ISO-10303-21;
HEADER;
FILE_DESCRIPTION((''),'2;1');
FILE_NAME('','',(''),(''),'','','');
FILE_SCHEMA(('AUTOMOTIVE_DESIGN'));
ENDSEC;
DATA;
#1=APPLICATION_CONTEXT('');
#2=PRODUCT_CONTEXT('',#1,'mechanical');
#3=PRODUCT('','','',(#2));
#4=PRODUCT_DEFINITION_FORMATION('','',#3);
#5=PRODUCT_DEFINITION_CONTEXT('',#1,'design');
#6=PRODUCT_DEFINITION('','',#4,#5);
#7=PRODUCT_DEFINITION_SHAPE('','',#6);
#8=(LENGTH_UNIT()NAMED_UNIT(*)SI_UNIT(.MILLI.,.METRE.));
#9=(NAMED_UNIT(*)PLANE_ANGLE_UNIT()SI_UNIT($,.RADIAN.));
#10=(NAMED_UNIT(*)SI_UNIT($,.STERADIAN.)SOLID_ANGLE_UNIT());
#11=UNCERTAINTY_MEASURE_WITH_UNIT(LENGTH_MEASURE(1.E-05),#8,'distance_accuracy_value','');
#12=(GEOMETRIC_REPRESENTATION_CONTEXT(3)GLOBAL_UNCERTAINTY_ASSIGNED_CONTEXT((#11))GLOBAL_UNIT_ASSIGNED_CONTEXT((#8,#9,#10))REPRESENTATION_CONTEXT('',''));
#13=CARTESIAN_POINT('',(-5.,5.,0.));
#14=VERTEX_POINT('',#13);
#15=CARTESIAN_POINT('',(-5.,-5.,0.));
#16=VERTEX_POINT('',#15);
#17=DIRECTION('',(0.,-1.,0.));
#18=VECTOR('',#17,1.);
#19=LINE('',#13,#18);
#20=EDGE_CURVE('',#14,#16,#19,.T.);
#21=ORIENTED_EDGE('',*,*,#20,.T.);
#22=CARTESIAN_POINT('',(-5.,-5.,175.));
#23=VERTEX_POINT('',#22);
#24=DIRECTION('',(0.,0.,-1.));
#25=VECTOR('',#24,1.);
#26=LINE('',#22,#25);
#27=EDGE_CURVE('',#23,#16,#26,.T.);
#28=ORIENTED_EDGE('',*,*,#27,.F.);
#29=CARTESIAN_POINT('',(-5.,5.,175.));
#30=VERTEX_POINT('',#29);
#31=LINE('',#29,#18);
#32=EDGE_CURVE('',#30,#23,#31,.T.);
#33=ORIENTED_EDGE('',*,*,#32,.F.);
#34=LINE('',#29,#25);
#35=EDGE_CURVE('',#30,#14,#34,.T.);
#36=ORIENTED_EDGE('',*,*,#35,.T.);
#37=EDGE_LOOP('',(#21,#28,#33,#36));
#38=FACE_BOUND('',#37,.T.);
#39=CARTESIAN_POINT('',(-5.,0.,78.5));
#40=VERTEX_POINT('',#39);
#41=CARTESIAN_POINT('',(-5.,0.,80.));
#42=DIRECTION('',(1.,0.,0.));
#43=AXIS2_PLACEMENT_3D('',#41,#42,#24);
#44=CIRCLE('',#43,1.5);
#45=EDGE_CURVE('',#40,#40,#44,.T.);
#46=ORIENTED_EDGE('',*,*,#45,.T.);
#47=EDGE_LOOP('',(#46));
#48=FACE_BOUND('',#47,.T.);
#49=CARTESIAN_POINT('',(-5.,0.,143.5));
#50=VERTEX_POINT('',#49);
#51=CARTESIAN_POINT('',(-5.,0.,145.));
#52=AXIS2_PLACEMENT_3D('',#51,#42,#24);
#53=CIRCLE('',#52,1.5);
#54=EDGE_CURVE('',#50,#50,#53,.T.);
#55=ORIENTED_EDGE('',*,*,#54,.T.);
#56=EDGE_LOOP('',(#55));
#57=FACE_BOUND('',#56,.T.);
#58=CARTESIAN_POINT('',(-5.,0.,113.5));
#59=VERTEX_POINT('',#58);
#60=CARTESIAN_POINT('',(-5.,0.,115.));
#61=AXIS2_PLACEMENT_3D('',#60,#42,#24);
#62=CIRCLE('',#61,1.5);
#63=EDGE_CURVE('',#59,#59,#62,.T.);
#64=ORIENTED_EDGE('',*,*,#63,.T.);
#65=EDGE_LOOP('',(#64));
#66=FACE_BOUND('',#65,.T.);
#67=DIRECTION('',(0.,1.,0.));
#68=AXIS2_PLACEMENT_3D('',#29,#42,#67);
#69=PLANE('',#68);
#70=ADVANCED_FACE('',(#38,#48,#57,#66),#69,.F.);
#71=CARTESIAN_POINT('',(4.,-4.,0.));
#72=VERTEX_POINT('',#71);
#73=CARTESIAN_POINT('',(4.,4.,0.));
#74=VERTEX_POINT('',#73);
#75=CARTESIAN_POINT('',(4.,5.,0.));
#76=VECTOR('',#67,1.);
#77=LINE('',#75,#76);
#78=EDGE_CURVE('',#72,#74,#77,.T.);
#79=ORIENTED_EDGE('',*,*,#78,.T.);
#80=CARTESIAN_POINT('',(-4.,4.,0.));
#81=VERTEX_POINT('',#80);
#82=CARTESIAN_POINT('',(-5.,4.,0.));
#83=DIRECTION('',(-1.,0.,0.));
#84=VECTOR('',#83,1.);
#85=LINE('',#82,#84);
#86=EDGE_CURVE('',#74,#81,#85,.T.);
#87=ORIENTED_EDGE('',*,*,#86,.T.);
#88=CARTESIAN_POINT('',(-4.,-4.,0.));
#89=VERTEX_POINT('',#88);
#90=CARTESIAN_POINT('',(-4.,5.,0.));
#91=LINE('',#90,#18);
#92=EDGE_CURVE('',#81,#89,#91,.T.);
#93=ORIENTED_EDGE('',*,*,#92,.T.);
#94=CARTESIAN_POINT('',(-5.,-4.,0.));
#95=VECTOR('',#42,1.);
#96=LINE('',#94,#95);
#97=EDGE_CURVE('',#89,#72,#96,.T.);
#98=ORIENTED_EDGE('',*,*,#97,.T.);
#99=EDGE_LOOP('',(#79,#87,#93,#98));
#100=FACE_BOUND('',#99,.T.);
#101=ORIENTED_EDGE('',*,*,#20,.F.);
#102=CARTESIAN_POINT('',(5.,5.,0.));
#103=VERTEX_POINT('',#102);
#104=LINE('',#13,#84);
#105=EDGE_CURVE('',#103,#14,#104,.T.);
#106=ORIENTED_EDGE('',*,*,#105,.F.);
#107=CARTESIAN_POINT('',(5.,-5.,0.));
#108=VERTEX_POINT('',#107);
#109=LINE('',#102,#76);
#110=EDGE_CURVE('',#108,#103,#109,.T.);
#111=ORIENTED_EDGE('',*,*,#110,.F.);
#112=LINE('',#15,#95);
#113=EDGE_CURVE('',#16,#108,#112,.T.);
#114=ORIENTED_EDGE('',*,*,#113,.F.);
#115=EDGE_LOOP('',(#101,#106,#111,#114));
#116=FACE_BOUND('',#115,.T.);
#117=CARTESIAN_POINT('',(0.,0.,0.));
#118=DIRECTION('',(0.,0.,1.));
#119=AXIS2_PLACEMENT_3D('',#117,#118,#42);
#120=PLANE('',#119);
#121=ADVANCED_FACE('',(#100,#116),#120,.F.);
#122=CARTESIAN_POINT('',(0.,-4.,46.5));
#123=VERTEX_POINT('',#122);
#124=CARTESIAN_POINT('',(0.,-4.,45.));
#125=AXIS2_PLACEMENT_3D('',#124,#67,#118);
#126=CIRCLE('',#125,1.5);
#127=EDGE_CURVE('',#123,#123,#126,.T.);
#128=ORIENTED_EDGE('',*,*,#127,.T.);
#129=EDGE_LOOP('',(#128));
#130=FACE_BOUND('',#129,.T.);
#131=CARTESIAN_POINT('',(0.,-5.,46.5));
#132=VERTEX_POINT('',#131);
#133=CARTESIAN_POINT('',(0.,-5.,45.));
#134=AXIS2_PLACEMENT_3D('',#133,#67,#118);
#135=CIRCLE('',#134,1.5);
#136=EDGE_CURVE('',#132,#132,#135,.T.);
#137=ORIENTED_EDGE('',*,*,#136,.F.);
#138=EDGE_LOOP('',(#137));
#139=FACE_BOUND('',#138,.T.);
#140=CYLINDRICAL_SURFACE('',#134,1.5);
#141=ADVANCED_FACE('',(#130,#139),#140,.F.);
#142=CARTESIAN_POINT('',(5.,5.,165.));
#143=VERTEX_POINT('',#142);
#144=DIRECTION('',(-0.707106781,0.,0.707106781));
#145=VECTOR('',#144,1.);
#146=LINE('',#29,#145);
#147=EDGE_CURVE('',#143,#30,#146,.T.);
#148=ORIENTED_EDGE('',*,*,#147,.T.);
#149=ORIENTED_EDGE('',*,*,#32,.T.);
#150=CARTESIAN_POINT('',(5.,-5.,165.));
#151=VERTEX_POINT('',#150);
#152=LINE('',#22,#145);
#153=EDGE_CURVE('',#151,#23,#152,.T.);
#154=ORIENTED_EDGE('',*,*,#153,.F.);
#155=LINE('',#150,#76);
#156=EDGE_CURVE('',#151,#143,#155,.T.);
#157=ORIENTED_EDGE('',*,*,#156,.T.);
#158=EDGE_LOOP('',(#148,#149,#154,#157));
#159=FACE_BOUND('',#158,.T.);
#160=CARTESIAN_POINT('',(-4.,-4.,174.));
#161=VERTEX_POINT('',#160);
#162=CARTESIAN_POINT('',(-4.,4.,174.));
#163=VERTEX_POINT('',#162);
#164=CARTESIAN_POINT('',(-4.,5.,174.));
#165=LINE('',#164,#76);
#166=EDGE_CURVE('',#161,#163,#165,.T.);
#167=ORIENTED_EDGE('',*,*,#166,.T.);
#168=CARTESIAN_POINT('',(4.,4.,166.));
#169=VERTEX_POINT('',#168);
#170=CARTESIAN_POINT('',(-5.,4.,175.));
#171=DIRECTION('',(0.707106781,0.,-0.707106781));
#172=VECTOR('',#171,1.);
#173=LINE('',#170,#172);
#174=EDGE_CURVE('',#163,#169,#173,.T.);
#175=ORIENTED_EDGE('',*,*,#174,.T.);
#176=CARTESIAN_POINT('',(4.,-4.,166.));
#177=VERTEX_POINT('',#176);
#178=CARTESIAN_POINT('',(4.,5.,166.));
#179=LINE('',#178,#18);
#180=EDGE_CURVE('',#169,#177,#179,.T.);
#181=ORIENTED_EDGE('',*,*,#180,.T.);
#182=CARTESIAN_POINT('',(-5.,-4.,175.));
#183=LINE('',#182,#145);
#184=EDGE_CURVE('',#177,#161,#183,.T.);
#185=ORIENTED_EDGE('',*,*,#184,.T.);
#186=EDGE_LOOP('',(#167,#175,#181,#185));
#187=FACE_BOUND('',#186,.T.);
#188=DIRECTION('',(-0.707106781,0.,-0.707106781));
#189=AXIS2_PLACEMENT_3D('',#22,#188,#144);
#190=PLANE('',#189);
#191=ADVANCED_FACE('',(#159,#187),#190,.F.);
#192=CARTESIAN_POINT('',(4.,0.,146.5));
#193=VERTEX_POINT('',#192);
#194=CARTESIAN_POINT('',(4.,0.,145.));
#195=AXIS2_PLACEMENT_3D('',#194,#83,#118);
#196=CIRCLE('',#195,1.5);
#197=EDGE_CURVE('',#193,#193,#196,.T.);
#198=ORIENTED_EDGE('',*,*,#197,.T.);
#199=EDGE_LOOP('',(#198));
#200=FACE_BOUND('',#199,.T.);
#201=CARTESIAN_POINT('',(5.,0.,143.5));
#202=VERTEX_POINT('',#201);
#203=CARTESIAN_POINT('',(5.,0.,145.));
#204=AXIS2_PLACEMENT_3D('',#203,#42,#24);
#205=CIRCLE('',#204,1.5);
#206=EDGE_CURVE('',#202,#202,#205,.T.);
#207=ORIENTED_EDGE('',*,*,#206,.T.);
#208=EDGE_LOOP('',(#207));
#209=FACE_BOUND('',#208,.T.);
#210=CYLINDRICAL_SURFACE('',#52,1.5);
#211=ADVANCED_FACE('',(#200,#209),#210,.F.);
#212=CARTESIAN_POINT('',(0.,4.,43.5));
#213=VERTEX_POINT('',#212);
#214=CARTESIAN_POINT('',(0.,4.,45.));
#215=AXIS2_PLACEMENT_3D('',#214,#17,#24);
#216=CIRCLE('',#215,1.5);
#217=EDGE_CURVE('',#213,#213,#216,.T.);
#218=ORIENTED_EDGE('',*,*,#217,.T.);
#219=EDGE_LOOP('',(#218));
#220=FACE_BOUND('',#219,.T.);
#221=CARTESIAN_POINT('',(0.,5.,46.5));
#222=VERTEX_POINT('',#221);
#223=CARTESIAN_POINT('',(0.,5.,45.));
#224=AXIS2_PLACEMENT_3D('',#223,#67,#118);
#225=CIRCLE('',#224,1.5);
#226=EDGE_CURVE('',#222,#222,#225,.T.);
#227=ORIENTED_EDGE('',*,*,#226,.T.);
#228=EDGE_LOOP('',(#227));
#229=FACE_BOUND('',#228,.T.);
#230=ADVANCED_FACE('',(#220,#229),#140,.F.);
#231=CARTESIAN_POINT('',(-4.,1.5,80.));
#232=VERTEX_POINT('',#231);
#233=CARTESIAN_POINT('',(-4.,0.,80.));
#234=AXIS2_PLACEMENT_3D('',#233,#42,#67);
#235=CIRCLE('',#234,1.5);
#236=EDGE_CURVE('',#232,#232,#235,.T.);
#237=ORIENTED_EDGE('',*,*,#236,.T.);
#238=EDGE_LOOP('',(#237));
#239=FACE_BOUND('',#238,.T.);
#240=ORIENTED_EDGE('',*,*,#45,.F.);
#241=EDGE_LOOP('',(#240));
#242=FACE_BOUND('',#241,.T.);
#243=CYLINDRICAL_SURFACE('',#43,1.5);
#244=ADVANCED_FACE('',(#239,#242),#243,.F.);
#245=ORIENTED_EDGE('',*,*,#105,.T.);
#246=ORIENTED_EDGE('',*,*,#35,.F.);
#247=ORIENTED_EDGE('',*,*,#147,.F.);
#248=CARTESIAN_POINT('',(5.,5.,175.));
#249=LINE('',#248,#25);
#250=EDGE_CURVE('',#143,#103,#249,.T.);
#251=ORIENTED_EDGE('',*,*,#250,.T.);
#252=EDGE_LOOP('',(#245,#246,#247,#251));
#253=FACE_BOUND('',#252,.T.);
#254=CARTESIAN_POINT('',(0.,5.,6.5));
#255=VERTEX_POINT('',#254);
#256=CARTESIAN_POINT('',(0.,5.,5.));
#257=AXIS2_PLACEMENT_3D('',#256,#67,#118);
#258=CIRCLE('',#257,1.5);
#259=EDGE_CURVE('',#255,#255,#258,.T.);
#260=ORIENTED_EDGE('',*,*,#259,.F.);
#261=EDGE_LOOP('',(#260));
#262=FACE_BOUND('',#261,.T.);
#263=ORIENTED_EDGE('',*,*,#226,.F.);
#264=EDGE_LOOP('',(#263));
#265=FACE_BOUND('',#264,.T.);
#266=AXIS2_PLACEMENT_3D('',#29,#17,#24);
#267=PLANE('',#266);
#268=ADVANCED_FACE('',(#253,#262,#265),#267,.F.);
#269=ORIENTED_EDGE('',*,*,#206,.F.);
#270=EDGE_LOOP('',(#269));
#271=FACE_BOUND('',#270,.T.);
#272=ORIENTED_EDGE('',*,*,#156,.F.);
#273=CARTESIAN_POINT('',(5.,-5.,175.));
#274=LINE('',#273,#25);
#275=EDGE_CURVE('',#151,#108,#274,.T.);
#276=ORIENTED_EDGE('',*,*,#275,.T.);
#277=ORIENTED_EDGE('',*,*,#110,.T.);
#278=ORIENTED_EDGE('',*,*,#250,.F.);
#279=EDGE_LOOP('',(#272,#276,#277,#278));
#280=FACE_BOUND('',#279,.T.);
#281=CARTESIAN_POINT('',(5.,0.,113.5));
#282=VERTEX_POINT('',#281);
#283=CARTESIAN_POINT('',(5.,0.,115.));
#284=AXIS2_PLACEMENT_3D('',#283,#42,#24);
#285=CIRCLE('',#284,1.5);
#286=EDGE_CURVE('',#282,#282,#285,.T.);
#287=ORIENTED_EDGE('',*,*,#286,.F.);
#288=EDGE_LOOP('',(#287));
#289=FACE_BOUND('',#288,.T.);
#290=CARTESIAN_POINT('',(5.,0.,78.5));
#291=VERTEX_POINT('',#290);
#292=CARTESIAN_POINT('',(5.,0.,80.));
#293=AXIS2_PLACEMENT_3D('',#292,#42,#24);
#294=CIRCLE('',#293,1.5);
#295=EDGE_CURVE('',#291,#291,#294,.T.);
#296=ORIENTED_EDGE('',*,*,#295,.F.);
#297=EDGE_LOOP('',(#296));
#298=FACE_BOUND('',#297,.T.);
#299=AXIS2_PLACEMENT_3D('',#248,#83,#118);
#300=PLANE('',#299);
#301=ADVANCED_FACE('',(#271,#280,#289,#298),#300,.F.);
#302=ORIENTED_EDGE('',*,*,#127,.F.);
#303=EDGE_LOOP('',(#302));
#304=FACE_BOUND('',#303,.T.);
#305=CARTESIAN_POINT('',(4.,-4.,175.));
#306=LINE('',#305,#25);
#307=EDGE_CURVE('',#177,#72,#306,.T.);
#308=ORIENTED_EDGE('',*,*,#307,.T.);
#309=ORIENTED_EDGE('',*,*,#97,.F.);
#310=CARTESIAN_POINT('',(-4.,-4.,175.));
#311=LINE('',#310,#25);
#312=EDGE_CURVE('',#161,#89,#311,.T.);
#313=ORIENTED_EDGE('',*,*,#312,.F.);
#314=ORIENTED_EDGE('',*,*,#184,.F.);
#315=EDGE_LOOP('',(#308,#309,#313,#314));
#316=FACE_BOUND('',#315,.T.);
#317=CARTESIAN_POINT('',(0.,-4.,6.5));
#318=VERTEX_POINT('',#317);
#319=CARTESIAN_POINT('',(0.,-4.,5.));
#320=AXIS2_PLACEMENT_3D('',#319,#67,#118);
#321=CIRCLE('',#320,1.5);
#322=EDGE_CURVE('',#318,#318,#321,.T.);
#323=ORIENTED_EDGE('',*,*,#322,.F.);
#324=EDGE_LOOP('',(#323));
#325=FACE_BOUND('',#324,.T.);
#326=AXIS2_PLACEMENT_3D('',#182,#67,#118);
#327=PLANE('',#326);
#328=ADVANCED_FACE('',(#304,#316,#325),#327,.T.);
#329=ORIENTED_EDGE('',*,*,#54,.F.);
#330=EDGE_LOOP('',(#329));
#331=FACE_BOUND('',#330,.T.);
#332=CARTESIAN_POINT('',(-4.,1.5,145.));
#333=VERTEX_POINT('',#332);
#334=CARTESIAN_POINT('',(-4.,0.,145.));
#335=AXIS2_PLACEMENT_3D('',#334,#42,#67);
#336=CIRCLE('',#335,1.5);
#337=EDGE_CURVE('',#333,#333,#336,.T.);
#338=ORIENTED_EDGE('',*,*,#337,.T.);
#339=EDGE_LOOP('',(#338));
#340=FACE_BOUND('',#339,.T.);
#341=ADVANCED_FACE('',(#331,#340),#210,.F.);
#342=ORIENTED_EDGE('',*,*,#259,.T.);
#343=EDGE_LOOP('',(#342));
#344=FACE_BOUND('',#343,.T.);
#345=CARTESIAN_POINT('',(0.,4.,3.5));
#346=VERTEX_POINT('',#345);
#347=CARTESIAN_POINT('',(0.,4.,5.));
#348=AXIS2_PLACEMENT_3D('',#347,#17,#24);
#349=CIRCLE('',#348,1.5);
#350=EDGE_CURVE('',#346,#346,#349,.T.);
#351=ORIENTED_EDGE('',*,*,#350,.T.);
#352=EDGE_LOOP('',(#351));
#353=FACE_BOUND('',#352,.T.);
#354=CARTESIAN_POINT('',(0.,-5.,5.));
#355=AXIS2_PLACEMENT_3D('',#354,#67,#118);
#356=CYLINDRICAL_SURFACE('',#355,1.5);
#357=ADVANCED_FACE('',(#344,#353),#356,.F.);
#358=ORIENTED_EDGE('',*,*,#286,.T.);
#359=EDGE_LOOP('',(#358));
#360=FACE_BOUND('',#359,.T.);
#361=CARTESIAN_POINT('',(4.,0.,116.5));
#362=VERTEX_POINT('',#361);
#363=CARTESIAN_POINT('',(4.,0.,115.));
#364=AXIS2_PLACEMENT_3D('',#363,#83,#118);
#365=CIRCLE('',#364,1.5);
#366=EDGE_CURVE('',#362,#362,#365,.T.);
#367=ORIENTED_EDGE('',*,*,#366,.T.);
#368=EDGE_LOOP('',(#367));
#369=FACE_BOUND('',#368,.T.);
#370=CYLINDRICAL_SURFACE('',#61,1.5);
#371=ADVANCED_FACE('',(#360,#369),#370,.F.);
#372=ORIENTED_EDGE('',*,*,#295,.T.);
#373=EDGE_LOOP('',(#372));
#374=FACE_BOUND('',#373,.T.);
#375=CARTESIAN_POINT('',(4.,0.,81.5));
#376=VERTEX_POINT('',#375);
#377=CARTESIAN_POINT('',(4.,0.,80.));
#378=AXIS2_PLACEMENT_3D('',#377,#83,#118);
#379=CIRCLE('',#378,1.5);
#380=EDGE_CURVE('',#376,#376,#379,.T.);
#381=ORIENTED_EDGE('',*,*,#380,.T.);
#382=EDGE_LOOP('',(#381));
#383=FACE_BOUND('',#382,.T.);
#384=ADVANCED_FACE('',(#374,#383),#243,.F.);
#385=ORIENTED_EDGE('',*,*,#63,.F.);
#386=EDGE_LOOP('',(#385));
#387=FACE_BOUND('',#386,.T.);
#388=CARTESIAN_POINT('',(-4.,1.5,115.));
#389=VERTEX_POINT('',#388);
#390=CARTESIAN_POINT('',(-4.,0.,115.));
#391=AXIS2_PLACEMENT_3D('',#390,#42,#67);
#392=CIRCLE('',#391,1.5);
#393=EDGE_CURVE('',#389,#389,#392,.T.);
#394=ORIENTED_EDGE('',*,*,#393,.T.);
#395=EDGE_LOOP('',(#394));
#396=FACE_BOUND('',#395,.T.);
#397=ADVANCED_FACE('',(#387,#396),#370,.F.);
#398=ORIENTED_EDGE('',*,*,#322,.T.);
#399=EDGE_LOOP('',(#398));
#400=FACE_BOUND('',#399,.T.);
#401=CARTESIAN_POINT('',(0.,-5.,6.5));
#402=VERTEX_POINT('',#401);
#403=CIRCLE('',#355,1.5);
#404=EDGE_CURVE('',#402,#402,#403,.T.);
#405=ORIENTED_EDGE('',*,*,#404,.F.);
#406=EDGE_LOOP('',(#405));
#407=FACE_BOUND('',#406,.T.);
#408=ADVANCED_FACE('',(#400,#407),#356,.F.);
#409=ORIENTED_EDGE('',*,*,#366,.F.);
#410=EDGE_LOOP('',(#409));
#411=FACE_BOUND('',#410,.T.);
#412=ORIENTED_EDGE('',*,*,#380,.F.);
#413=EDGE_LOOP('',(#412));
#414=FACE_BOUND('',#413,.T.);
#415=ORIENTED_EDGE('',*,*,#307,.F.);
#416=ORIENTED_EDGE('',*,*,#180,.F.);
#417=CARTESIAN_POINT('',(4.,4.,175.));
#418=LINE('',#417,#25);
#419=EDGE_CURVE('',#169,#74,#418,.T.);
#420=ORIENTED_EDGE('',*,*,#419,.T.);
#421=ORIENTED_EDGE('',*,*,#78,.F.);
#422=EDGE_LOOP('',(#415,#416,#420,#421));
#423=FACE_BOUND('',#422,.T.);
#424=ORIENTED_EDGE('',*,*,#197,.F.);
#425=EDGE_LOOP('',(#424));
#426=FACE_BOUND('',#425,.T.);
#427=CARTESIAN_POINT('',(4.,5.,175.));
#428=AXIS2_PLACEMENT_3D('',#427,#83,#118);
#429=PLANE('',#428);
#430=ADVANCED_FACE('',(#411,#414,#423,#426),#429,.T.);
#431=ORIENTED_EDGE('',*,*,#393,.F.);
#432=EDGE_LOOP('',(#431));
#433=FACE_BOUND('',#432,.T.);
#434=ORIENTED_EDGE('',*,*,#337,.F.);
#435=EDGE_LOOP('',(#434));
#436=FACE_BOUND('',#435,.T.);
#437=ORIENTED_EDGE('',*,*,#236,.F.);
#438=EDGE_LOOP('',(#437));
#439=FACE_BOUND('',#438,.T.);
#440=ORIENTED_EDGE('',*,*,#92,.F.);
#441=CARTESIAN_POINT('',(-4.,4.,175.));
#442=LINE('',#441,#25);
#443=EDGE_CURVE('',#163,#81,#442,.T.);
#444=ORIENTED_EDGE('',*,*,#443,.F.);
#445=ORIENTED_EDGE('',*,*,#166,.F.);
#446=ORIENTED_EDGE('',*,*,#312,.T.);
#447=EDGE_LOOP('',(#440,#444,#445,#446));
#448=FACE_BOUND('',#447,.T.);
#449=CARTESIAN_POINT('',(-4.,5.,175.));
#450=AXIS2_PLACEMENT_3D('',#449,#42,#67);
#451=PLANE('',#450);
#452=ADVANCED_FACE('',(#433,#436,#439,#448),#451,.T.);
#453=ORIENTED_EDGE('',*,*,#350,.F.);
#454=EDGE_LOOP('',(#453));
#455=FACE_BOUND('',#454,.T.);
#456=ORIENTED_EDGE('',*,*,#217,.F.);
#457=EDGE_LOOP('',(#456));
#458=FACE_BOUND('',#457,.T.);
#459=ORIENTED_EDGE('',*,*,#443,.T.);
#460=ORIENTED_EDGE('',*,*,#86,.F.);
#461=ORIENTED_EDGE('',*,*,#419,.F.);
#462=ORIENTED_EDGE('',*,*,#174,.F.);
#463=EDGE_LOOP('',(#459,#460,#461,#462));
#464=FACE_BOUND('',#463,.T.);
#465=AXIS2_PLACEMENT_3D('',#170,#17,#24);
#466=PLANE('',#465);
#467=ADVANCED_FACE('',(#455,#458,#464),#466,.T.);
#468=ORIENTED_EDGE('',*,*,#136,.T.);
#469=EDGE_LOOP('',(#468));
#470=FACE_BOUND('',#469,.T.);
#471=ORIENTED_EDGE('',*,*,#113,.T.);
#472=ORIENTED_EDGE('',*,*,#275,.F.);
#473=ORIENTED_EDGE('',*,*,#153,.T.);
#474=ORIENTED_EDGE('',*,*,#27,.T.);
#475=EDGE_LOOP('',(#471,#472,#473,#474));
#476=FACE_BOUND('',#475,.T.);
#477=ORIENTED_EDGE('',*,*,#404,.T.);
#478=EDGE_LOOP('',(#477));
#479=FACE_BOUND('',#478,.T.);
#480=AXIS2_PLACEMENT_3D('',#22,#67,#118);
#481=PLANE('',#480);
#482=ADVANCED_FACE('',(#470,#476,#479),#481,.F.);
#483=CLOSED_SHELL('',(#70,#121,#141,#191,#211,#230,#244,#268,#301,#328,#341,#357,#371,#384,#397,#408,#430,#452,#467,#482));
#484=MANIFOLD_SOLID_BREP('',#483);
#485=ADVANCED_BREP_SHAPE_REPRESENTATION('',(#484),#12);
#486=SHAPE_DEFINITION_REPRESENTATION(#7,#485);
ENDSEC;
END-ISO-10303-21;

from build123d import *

# Parameters (mm, degrees)
SKETCH_1_W          = 10
SKETCH_1_H          = 10
SKETCH_1_W_2        = 8
SKETCH_1_H_2        = 8
EXTRUDE_1_DEPTH     = 175
SKETCH_2_R          = 1.5
CUT_EXTRUDE_1_DEPTH = 11
SKETCH_3_R          = 1.5
CUT_EXTRUDE_2_DEPTH = 10


with BuildPart() as part:
    # 草图1 → 拉伸-薄壁1 (new body)
    with BuildSketch(Plane.XY):
        Rectangle(SKETCH_1_W, SKETCH_1_H)
        Rectangle(SKETCH_1_W_2, SKETCH_1_H_2, mode=Mode.SUBTRACT)
    extrude(amount=EXTRUDE_1_DEPTH)

    # 草图2 → 切除-拉伸1 (cut, through all)
    with BuildSketch(Plane(origin=(5, 0, 0), x_dir=(0, 0, -1), z_dir=(1, 0, 0))):
        with Locations((-80, 0)):
            Circle(SKETCH_2_R)
        with Locations((-115, 0)):
            Circle(SKETCH_2_R)
        with Locations((-145, 0)):
            Circle(SKETCH_2_R)
    extrude(amount=-CUT_EXTRUDE_1_DEPTH, mode=Mode.SUBTRACT)

    # 草图3 → 切除-拉伸2 (cut)
    with BuildSketch(Plane(origin=(0, 5, 0), x_dir=(1, 0, 0), z_dir=(0, 1, 0))):
        with Locations((0, -5)):
            Circle(SKETCH_3_R)
        with Locations((0, -45)):
            Circle(SKETCH_3_R)
        Polygon((5, -165), (5, -175), (-5, -175), align=None)
    extrude(amount=-CUT_EXTRUDE_2_DEPTH, mode=Mode.SUBTRACT)


solid = part.part
